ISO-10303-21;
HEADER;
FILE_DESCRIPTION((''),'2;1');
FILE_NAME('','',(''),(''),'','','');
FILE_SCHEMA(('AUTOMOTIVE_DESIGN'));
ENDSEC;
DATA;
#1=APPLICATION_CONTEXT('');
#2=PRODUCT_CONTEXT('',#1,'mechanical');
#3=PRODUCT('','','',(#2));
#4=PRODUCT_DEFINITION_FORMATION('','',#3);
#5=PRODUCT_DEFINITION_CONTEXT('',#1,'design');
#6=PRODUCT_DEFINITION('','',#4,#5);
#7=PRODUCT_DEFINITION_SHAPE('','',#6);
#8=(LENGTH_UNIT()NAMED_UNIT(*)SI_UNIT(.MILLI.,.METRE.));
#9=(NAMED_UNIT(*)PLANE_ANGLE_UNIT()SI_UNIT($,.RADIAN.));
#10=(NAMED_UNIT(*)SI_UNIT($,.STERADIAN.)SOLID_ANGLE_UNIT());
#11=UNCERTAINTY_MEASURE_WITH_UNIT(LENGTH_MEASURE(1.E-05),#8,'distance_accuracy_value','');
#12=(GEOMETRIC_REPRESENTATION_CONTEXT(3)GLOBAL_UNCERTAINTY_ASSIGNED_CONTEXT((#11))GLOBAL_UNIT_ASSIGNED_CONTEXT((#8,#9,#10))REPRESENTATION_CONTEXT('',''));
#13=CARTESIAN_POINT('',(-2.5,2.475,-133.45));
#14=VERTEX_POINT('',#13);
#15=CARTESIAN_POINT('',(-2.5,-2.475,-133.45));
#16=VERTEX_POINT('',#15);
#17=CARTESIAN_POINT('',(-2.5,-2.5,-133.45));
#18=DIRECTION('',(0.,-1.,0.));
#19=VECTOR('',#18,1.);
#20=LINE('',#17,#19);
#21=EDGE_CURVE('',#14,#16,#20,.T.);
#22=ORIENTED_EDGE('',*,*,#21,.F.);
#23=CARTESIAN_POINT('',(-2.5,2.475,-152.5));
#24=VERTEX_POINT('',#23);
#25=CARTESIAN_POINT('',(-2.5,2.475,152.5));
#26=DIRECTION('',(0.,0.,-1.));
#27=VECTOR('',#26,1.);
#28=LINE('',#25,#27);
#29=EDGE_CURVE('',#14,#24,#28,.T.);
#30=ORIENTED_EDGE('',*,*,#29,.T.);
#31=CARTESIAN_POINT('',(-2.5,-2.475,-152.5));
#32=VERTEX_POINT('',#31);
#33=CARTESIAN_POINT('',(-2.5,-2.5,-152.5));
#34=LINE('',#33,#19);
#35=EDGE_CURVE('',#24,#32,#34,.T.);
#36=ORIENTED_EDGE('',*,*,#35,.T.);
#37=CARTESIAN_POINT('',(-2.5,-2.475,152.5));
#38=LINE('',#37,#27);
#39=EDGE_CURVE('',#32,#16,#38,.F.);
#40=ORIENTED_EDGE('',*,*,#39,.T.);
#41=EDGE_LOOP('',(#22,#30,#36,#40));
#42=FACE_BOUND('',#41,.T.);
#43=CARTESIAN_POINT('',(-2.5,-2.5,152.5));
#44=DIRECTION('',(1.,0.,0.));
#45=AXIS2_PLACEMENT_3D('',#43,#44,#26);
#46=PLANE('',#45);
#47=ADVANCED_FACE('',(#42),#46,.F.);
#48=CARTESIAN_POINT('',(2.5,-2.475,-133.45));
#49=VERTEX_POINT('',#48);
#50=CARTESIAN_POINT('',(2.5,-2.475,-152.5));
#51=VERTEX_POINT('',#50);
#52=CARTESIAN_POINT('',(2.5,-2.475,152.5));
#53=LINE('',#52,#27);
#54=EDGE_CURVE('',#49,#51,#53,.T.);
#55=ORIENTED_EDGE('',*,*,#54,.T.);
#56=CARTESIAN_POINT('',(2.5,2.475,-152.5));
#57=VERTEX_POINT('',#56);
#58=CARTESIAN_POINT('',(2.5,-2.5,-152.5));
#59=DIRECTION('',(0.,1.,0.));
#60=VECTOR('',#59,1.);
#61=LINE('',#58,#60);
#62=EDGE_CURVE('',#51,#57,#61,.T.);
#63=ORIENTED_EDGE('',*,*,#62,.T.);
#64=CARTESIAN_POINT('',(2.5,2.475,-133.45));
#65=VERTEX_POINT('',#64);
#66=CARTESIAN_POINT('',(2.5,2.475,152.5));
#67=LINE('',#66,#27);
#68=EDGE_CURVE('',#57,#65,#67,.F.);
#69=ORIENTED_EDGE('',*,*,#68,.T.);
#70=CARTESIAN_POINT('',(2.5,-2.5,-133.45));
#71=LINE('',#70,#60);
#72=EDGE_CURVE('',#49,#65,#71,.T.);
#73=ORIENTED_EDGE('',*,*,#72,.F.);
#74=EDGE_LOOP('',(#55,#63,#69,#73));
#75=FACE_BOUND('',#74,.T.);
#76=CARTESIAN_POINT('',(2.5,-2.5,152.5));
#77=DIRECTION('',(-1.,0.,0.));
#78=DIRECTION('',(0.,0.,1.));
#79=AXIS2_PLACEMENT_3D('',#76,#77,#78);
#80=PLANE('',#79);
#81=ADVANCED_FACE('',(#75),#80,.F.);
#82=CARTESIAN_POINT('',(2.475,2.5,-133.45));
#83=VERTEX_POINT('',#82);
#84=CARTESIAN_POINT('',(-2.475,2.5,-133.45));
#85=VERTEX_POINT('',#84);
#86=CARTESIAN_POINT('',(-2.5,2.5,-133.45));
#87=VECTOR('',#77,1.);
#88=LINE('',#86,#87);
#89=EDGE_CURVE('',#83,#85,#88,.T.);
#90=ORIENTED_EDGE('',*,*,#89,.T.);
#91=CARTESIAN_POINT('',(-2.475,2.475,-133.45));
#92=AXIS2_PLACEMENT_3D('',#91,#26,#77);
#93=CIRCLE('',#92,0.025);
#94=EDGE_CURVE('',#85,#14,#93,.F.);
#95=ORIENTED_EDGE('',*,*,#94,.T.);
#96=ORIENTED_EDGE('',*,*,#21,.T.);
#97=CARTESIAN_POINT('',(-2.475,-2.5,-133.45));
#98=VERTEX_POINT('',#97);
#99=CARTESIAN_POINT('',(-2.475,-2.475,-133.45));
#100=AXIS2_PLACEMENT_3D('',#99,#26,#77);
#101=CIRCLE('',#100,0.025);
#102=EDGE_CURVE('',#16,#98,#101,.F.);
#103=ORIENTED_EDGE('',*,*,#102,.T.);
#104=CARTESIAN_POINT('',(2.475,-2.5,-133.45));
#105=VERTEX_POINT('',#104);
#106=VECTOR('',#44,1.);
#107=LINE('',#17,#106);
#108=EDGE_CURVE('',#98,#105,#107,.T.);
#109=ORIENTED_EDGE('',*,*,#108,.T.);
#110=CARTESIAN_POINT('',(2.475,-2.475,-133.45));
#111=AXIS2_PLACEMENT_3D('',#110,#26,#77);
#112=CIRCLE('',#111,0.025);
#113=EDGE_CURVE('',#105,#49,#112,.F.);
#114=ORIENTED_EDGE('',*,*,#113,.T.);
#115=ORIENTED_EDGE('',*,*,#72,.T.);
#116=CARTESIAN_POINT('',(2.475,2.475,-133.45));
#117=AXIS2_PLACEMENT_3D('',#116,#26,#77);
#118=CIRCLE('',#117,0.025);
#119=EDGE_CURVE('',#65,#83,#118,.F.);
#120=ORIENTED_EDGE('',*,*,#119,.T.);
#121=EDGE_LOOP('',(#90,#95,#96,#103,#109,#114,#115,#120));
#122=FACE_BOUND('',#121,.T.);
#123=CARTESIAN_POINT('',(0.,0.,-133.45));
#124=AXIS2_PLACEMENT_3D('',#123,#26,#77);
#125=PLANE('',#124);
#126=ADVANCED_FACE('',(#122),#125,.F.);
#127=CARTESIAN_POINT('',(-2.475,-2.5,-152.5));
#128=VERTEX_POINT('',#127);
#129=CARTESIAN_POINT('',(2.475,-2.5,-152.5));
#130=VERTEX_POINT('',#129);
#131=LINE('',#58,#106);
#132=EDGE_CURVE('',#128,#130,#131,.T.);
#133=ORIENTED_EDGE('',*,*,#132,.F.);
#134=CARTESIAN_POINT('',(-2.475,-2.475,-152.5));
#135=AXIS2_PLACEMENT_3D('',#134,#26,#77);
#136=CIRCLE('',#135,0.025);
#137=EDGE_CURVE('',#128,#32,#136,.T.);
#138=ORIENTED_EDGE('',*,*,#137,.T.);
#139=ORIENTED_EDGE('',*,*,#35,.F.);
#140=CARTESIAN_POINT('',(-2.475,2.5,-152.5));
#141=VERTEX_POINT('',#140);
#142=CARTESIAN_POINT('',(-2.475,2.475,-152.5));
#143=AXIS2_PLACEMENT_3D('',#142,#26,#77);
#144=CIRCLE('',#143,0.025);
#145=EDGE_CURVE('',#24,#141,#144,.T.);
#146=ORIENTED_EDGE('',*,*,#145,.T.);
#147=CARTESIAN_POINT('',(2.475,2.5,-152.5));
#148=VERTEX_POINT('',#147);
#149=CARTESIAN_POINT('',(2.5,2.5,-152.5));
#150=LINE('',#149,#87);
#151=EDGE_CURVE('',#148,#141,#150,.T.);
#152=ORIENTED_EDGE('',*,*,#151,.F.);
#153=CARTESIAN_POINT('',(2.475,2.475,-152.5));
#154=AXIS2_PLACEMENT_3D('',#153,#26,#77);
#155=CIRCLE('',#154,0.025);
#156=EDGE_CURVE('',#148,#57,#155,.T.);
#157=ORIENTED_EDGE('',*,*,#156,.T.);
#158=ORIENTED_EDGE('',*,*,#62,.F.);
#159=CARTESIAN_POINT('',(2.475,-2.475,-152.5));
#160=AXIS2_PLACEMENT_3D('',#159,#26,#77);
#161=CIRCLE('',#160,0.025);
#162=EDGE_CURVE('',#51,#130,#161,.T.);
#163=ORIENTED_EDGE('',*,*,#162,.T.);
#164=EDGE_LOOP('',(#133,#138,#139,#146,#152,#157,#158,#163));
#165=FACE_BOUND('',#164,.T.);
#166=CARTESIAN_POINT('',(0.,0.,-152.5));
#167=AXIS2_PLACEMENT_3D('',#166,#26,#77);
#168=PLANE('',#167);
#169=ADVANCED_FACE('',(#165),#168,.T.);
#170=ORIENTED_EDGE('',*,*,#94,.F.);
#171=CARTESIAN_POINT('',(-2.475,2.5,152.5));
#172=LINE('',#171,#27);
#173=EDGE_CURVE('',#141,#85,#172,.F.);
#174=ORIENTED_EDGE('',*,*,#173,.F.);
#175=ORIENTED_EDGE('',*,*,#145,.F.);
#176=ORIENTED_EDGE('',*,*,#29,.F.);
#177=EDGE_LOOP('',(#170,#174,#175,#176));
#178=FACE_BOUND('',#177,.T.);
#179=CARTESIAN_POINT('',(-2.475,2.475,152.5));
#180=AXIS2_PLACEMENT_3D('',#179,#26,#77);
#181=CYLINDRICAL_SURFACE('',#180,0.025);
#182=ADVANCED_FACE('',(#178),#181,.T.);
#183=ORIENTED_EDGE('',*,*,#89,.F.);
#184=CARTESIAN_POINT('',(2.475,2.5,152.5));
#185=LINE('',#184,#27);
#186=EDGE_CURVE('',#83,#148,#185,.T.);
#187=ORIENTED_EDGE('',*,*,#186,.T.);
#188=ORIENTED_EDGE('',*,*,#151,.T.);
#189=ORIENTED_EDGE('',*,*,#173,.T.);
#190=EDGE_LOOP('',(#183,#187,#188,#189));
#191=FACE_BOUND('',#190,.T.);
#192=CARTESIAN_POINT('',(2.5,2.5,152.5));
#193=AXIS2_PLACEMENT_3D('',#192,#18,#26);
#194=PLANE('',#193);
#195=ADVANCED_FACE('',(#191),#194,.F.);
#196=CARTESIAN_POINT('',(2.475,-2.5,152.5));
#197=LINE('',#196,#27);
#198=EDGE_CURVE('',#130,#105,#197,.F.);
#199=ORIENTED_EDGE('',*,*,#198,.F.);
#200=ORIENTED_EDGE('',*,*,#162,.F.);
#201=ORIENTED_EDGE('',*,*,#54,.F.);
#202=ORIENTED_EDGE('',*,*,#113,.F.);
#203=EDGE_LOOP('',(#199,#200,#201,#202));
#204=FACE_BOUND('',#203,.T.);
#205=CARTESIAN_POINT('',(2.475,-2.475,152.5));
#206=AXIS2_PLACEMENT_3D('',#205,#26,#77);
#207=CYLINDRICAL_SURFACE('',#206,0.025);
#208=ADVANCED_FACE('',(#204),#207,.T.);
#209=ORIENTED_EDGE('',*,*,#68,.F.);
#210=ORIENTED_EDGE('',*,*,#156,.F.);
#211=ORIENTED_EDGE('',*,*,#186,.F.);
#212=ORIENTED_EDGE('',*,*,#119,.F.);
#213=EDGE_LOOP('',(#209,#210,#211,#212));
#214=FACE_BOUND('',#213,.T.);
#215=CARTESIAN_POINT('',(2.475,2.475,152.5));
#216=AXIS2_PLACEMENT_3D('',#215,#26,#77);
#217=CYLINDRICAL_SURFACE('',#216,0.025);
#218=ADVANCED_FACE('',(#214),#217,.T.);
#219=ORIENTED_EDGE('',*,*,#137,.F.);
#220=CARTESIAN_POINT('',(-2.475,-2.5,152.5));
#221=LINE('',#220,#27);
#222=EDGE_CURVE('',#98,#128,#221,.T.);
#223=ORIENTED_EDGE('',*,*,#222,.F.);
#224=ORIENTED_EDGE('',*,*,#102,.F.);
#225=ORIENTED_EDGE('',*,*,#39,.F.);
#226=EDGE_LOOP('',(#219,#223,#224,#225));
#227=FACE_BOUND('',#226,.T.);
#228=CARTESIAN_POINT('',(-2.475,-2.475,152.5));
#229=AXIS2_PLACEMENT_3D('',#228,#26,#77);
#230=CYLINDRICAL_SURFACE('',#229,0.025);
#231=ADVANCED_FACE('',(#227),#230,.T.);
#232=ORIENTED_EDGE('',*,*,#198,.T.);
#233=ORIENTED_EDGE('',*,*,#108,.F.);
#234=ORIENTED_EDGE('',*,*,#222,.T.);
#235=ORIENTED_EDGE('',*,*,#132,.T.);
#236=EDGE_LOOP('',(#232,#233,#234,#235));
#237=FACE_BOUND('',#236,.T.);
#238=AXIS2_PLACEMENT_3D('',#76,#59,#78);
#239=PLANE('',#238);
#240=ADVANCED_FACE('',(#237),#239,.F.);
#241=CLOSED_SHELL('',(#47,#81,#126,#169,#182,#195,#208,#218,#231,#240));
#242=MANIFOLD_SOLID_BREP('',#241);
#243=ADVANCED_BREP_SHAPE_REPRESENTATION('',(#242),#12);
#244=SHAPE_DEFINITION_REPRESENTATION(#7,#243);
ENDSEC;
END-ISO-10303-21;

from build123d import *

# Parameters (mm, degrees)
SKETCH3_W           = 5
SKETCH3_H           = 5
BOSS_EXTRUDE1_DEPTH = 152.5
FILLET1_R           = 0.025
SKETCH4_W           = 5
SKETCH4_H           = 5
CUT_EXTRUDE1_DEPTH  = 285.95


with BuildPart() as part:
    # Sketch3 → Boss-Extrude1 (new, symmetric)
    with BuildSketch(Plane.XY):
        Rectangle(SKETCH3_W, SKETCH3_H)
    extrude(amount=BOSS_EXTRUDE1_DEPTH, both=True)

    # Fillet1
    fillet1_edges = [part.edges().sort_by_distance(p)[0] for p in [
        (-2.5, -2.5, 0),
        (-2.5, 2.5, 0),
        (2.5, 2.5, 0),
        (2.5, -2.5, 0),
    ]]
    fillet(fillet1_edges, radius=FILLET1_R)

    # Sketch4 → Cut-Extrude1 (cut)
    with BuildSketch(Plane.XY.offset(152.5)):
        Rectangle(SKETCH4_W, SKETCH4_H)
    extrude(amount=-CUT_EXTRUDE1_DEPTH, mode=Mode.SUBTRACT)


solid = part.part
